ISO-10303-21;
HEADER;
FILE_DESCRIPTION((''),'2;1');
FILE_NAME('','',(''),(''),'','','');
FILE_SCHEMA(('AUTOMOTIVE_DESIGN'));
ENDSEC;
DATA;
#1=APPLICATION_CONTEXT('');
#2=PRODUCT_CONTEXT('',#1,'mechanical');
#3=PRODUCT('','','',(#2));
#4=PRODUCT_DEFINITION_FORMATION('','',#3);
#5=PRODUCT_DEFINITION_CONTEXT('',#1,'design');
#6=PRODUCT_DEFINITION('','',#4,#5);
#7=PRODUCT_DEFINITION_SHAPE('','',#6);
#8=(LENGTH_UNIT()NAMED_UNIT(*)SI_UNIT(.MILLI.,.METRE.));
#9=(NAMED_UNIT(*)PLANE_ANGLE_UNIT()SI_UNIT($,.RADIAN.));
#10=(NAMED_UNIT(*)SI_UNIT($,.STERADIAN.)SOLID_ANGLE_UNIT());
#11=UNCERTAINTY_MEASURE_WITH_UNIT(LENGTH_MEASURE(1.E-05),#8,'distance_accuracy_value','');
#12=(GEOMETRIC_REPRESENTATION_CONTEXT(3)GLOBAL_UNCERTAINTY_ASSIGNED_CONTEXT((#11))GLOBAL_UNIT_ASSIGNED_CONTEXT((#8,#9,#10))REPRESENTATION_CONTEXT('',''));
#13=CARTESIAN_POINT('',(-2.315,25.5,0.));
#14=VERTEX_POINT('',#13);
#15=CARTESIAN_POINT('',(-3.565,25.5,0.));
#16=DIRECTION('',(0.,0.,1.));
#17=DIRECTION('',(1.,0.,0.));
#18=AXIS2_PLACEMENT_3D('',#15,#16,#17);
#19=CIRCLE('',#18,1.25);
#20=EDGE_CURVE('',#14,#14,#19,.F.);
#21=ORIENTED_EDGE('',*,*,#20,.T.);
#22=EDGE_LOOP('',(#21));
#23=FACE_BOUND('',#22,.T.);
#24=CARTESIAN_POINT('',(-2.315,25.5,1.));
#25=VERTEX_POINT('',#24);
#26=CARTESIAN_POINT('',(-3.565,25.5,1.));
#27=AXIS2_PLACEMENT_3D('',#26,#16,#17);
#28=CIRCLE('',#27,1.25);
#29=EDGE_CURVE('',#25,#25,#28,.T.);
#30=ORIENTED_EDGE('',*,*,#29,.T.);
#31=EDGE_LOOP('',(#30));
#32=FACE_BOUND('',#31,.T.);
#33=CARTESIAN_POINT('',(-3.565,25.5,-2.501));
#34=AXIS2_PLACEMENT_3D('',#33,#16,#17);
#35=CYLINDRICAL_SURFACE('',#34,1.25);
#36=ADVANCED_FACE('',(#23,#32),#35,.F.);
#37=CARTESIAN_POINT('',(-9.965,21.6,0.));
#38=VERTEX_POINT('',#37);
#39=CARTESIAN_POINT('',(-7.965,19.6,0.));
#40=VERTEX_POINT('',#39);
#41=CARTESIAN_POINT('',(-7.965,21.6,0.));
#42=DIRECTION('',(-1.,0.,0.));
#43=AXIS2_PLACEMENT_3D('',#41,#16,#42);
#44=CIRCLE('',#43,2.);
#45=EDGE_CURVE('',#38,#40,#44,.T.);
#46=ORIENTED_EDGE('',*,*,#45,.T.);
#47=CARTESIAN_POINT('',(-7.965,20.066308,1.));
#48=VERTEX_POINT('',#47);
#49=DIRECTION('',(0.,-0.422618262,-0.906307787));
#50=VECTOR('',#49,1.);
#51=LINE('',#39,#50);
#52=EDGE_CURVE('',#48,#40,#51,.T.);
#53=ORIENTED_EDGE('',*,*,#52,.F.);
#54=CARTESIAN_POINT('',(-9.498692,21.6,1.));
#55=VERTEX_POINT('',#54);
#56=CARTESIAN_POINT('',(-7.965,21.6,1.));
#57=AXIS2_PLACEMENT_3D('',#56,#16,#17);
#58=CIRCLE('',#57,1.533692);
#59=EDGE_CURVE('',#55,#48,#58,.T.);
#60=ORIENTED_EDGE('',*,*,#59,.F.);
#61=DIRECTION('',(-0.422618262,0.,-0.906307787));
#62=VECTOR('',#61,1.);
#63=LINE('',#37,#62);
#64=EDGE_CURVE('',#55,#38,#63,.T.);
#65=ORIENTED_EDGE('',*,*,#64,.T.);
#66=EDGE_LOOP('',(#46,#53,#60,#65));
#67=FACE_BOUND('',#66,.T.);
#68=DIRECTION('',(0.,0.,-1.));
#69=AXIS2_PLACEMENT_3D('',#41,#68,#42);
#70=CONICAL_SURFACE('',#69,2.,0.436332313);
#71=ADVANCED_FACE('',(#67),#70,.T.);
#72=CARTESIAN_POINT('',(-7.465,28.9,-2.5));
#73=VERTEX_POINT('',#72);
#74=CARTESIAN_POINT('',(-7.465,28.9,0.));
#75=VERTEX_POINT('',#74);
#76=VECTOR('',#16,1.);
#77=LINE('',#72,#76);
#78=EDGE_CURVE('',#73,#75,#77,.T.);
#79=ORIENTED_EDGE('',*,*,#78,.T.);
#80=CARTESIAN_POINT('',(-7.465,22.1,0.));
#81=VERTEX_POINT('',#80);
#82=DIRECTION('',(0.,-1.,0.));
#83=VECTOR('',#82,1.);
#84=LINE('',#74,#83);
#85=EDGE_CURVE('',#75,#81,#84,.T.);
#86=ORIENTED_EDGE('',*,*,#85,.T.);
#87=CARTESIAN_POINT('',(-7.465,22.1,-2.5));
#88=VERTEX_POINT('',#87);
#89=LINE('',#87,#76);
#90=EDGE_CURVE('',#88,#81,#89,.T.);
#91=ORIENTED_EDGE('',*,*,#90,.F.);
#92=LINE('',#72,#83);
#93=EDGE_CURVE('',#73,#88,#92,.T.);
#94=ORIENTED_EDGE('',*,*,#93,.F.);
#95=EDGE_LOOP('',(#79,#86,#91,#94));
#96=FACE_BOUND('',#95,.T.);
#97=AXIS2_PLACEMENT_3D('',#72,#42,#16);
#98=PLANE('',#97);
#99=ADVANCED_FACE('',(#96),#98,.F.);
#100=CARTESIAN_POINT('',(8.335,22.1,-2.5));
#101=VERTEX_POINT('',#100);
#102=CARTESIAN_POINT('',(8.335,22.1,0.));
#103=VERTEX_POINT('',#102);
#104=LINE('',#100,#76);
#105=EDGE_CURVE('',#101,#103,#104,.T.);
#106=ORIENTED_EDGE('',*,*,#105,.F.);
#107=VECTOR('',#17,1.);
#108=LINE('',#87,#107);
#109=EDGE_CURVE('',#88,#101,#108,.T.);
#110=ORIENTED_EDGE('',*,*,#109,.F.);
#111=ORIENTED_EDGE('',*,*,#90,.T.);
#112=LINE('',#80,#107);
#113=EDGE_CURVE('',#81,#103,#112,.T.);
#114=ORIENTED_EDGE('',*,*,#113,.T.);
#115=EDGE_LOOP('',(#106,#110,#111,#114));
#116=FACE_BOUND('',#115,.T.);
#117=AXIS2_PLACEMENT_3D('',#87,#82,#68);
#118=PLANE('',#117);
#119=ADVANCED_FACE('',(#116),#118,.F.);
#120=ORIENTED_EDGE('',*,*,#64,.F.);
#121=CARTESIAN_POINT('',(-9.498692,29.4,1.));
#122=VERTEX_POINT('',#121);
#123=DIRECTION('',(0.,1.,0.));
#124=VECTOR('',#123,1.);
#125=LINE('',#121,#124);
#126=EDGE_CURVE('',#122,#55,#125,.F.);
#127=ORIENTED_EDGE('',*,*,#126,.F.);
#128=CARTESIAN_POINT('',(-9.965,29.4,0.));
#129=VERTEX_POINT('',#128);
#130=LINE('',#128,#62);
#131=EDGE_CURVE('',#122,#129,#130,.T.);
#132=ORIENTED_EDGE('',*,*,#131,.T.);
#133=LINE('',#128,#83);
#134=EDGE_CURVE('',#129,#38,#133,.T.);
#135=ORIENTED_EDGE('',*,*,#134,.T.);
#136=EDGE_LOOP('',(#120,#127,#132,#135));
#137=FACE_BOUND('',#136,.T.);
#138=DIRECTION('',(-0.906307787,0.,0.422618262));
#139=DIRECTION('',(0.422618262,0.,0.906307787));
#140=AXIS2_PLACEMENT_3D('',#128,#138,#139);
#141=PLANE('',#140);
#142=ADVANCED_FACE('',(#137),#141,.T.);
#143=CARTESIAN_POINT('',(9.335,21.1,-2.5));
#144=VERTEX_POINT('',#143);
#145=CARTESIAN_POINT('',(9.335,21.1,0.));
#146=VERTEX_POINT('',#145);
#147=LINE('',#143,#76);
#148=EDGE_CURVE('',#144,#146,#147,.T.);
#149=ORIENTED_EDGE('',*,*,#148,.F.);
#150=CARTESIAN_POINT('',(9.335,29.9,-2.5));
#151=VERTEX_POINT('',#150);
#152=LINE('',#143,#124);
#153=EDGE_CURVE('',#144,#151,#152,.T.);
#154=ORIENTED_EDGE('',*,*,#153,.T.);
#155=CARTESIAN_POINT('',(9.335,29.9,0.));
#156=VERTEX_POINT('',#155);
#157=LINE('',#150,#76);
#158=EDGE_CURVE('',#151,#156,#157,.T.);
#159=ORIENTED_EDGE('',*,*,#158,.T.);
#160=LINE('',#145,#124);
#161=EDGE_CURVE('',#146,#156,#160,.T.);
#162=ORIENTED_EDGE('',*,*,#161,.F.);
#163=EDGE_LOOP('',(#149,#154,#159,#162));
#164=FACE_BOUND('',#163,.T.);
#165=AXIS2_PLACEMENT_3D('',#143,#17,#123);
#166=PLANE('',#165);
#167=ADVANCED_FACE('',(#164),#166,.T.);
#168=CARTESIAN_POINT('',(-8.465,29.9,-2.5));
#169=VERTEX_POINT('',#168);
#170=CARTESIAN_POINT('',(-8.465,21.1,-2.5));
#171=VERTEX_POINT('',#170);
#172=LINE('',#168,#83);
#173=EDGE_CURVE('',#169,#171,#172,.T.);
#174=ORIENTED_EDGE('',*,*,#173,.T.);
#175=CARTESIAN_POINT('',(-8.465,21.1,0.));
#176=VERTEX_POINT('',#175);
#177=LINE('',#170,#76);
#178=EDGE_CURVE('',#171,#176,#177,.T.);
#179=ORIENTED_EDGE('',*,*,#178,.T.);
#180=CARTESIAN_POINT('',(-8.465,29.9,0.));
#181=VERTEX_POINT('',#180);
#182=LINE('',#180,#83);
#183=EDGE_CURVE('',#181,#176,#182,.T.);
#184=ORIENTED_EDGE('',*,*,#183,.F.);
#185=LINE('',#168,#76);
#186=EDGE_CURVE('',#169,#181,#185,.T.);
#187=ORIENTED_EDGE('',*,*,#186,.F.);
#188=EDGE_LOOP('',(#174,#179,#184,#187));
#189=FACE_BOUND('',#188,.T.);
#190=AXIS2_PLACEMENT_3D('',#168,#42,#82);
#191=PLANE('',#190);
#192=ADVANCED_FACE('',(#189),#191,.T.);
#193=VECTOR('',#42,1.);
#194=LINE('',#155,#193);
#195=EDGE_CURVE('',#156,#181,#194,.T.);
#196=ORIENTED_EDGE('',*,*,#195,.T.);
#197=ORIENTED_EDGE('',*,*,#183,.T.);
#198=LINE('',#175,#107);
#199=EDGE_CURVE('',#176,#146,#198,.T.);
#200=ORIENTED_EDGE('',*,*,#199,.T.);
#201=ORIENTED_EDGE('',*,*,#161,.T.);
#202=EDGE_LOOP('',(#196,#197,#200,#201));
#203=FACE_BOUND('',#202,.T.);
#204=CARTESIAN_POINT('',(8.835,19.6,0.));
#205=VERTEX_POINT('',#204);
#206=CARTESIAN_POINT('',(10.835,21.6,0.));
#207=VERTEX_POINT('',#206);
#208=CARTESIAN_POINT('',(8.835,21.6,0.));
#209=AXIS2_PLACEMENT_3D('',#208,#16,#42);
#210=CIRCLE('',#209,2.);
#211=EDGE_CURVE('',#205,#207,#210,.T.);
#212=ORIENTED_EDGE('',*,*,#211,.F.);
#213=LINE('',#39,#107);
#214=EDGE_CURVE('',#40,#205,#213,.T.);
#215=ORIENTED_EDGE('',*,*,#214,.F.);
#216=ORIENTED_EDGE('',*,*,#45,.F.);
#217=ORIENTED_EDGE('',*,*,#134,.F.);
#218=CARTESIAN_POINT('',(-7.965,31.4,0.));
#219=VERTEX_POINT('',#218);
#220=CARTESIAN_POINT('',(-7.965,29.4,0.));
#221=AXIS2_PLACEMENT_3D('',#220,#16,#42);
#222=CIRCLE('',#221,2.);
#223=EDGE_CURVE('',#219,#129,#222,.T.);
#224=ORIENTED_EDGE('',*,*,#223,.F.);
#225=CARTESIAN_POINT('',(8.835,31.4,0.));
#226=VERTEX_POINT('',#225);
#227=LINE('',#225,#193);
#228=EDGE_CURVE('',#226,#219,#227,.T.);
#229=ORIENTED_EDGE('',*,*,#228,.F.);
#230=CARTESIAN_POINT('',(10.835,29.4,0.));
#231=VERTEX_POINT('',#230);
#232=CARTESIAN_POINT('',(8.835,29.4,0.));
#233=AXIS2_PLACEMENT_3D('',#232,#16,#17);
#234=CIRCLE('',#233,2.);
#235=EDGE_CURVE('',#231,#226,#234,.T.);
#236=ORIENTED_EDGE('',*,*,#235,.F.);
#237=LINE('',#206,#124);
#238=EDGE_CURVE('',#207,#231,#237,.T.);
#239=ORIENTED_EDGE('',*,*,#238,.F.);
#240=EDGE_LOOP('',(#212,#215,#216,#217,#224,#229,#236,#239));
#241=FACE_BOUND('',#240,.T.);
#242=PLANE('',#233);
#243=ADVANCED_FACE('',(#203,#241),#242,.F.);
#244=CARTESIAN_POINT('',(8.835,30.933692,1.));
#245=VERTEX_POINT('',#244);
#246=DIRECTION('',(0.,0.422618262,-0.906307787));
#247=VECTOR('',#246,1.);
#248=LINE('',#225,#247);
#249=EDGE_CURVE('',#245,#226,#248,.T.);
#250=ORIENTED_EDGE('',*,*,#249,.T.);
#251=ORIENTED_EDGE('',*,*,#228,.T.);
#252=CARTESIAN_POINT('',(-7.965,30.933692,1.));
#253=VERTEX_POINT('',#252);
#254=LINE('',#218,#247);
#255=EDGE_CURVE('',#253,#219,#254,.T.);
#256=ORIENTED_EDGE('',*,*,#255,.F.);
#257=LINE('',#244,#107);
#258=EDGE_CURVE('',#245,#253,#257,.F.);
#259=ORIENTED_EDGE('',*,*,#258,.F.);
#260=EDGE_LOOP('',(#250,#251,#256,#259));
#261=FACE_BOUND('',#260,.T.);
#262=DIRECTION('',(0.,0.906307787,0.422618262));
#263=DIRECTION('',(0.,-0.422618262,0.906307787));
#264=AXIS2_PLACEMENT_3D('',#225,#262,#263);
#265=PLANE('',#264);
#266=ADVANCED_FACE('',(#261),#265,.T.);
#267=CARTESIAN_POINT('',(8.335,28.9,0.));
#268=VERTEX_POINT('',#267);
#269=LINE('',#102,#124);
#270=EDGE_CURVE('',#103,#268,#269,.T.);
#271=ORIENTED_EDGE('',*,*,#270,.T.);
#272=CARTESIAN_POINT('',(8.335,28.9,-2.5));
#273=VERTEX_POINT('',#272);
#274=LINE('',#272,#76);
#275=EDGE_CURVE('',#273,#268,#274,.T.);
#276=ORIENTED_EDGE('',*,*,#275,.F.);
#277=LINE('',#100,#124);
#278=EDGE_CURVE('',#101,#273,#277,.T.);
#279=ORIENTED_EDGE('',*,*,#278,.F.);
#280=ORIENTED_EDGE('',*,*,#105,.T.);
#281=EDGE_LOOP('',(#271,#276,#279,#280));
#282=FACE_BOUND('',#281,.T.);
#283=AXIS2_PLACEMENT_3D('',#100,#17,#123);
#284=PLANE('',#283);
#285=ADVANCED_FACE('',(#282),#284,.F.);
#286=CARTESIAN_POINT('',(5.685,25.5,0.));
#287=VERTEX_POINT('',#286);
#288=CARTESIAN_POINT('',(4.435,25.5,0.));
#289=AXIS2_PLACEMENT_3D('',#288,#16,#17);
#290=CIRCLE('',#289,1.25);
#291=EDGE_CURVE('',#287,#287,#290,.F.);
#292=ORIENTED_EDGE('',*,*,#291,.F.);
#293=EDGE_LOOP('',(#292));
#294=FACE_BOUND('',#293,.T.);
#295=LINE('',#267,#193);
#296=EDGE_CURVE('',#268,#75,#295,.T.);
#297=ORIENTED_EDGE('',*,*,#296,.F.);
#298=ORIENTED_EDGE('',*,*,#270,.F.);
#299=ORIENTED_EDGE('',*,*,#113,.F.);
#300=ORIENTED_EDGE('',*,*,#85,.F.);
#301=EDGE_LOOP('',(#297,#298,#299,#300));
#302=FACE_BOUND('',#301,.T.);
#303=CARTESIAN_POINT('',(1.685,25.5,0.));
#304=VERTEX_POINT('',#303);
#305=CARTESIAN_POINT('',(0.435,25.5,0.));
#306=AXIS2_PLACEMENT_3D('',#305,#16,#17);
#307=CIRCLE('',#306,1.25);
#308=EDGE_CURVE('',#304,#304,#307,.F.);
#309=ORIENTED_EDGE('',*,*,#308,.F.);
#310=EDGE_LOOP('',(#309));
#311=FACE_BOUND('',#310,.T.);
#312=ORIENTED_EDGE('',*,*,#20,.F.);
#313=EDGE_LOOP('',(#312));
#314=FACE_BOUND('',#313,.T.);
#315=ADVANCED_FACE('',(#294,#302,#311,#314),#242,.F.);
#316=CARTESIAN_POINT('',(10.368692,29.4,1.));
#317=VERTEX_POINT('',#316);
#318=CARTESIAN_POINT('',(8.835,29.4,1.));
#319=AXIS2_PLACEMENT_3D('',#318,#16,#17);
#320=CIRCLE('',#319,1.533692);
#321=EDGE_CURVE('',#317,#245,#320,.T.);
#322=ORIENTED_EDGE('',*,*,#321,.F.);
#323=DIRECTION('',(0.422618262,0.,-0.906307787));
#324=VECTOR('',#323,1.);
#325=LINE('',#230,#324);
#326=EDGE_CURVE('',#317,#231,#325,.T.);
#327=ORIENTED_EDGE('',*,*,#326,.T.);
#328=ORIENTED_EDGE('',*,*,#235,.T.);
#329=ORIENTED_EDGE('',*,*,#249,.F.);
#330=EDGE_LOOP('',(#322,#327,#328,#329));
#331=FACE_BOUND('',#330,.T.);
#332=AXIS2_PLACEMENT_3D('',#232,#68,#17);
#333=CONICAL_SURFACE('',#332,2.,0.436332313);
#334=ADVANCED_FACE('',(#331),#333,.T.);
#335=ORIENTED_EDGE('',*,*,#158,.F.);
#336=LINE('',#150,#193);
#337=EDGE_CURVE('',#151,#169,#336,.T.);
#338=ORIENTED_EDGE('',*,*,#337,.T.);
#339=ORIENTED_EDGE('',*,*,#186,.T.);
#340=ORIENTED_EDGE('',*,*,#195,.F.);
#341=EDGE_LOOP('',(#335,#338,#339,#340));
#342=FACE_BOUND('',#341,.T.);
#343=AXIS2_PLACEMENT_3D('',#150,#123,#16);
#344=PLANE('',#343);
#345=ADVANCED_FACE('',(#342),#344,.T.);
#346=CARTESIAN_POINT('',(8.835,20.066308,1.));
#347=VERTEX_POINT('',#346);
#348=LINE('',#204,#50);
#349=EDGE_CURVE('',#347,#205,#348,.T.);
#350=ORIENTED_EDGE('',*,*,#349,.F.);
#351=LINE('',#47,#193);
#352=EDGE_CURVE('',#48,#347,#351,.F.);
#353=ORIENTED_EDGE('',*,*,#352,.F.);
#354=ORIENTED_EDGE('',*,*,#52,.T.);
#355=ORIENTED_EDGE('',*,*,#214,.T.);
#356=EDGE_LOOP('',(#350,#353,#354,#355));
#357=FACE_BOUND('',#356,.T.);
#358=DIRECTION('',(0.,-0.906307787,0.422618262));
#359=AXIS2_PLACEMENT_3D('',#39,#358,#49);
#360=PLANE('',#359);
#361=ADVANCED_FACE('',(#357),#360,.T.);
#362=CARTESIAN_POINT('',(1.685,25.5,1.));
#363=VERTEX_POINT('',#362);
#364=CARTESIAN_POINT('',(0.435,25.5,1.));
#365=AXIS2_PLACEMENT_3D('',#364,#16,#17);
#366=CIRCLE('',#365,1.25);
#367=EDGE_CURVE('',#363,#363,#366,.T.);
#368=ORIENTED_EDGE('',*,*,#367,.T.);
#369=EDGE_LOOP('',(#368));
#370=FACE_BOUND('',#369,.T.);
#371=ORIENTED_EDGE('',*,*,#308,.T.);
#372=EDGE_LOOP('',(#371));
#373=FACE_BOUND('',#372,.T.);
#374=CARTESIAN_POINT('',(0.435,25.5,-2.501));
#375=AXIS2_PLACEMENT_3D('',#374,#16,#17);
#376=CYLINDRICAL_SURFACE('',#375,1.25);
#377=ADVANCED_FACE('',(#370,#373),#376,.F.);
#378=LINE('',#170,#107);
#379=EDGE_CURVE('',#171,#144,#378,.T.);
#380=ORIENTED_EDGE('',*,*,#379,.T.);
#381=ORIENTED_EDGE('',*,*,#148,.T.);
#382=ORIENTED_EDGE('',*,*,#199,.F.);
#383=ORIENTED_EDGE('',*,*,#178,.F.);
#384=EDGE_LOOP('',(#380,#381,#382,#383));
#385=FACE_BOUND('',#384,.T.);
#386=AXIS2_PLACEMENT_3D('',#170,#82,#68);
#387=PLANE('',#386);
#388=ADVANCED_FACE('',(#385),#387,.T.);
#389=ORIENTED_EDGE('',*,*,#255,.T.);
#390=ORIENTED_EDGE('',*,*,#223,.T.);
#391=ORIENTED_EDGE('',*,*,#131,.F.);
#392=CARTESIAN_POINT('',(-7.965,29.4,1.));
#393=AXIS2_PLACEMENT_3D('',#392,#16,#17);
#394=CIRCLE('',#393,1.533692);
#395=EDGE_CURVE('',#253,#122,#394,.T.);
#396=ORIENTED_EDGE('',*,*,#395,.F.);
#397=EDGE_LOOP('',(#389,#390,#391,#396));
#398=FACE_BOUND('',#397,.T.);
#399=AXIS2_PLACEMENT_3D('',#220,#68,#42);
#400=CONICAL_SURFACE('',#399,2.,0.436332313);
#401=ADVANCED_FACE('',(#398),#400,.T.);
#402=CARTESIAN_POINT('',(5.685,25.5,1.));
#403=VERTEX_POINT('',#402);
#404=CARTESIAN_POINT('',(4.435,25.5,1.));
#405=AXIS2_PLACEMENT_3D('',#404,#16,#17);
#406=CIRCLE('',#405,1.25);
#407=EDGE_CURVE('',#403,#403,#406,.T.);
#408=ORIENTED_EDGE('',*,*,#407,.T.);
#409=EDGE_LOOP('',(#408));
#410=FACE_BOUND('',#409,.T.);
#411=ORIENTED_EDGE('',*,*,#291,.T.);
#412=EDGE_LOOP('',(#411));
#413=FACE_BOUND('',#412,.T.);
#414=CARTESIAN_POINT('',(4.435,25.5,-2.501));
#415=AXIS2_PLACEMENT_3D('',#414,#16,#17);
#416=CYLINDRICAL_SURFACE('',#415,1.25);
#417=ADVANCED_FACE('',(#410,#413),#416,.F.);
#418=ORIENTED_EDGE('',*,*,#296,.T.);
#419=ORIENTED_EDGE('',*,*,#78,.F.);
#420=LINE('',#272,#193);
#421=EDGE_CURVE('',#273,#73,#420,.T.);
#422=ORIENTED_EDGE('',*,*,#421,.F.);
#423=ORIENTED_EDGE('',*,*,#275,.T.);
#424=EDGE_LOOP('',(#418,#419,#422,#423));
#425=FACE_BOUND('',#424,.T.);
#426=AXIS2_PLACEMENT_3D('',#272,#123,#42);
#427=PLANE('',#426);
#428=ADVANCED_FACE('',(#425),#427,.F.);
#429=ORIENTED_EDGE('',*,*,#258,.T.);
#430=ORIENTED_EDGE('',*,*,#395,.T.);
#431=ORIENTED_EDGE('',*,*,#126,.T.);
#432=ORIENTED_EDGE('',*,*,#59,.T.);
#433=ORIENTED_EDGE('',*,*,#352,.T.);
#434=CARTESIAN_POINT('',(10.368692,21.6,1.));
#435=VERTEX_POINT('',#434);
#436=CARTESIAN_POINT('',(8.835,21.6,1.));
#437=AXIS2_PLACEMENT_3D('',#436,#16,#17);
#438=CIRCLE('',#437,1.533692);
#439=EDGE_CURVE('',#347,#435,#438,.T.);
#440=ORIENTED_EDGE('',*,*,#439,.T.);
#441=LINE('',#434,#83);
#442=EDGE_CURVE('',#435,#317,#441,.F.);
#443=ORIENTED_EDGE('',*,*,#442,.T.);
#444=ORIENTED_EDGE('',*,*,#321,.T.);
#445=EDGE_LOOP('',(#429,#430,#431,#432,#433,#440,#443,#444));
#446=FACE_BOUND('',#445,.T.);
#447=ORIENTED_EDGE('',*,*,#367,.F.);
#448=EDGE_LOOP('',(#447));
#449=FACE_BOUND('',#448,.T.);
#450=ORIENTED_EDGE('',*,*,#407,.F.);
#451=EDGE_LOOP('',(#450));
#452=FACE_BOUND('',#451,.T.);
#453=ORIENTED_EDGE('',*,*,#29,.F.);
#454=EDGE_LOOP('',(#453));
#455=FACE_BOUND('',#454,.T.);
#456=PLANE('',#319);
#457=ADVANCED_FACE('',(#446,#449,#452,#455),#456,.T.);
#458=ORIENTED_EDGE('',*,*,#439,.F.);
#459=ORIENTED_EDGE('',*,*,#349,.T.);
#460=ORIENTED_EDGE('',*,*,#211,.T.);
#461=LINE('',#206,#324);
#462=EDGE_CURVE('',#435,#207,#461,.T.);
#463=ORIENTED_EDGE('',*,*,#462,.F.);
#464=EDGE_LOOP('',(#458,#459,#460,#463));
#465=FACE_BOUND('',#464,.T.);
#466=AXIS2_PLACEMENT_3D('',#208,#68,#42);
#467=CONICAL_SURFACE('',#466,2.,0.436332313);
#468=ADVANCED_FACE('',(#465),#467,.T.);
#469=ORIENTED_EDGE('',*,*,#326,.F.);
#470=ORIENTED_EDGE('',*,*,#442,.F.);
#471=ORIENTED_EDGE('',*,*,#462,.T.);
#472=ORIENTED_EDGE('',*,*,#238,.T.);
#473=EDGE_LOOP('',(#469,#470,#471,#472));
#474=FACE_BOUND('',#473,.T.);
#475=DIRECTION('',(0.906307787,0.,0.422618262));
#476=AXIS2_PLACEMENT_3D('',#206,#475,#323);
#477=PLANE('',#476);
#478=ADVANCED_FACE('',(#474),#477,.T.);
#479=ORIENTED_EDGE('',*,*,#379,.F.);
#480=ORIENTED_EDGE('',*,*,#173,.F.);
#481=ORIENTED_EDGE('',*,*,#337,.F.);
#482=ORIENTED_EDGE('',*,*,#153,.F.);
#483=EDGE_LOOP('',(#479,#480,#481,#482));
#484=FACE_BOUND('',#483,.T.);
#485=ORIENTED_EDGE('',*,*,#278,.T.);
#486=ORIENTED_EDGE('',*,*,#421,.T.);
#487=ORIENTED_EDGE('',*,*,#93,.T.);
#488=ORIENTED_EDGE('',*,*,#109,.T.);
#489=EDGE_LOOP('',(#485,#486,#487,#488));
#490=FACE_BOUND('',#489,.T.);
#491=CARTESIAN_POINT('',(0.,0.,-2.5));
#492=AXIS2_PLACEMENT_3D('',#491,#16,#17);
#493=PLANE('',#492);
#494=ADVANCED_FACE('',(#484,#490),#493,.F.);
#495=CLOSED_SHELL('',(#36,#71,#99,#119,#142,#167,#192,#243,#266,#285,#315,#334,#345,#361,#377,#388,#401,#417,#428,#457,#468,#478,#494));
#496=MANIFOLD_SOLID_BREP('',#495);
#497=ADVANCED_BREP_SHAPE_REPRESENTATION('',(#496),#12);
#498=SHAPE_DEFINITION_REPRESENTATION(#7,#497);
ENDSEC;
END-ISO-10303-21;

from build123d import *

# Parameters (mm, degrees)
SKETCH_1_W          = 17.8
SKETCH_1_H          = 8.8
SKETCH_1_W_2        = 15.8
SKETCH_1_H_2        = 6.8
EXTRUDE_1_DEPTH     = 2.5
EXTRUDE_2_DEPTH     = 1
EXTRUDE_2_TAPER     = 25
CUT_EXTRUDE_1_REACH = 5.5
SKETCH_3_R          = 1.25


with BuildPart() as part:
    # 草图1 → 凸台-拉伸1 (new body)
    with BuildSketch(Plane.XY):
        with Locations((0.435, 25.5)):
            Rectangle(SKETCH_1_W, SKETCH_1_H)
        with Locations((0.435, 25.5)):
            Rectangle(SKETCH_1_W_2, SKETCH_1_H_2, mode=Mode.SUBTRACT)
    extrude(amount=-EXTRUDE_1_DEPTH)

    # 草图2 → 凸台-拉伸2 (add)
    with BuildSketch(Plane.XY):
        with BuildLine():
            Line((10.835, 21.6), (10.835, 29.4))
            ThreePointArc((10.835, 29.4), (10.249213562, 30.814213562), (8.835, 31.4))
            Line((8.835, 31.4), (-7.965, 31.4))
            ThreePointArc((-7.965, 31.4), (-9.379213562, 30.814213562), (-9.965, 29.4))
            Line((-9.965, 29.4), (-9.965, 21.6))
            ThreePointArc((-9.965, 21.6), (-9.379213562, 20.185786438), (-7.965, 19.6))
            Line((-7.965, 19.6), (8.835, 19.6))
            ThreePointArc((8.835, 19.6), (10.249213562, 20.185786438), (10.835, 21.6))
        make_face()
    extrude(amount=EXTRUDE_2_DEPTH, taper=EXTRUDE_2_TAPER)

    # 草图3 → 切除-拉伸1 (cut, up to next)
    with BuildSketch(Plane.XY.offset(1), mode=Mode.PRIVATE) as cut_extrude_1_sk1:
        with Locations((0.435, 25.5)):
            Circle(SKETCH_3_R)
    cut_extrude_1_tool1 = extrude(cut_extrude_1_sk1.sketch, amount=-CUT_EXTRUDE_1_REACH, mode=Mode.PRIVATE) & part.part
    add(cut_extrude_1_tool1.solids().sort_by_distance((0.435, 25.5, 1))[0], mode=Mode.SUBTRACT)
    # 草图3 → 切除-拉伸1 (cut, up to next)
    with BuildSketch(Plane.XY.offset(1), mode=Mode.PRIVATE) as cut_extrude_1_sk2:
        with Locations((-3.565, 25.5)):
            Circle(SKETCH_3_R)
    cut_extrude_1_tool2 = extrude(cut_extrude_1_sk2.sketch, amount=-CUT_EXTRUDE_1_REACH, mode=Mode.PRIVATE) & part.part
    add(cut_extrude_1_tool2.solids().sort_by_distance((-3.565, 25.5, 1))[0], mode=Mode.SUBTRACT)
    # 草图3 → 切除-拉伸1 (cut, up to next)
    with BuildSketch(Plane.XY.offset(1), mode=Mode.PRIVATE) as cut_extrude_1_sk3:
        with Locations((4.435, 25.5)):
            Circle(SKETCH_3_R)
    cut_extrude_1_tool3 = extrude(cut_extrude_1_sk3.sketch, amount=-CUT_EXTRUDE_1_REACH, mode=Mode.PRIVATE) & part.part
    add(cut_extrude_1_tool3.solids().sort_by_distance((4.435, 25.5, 1))[0], mode=Mode.SUBTRACT)


solid = part.part
